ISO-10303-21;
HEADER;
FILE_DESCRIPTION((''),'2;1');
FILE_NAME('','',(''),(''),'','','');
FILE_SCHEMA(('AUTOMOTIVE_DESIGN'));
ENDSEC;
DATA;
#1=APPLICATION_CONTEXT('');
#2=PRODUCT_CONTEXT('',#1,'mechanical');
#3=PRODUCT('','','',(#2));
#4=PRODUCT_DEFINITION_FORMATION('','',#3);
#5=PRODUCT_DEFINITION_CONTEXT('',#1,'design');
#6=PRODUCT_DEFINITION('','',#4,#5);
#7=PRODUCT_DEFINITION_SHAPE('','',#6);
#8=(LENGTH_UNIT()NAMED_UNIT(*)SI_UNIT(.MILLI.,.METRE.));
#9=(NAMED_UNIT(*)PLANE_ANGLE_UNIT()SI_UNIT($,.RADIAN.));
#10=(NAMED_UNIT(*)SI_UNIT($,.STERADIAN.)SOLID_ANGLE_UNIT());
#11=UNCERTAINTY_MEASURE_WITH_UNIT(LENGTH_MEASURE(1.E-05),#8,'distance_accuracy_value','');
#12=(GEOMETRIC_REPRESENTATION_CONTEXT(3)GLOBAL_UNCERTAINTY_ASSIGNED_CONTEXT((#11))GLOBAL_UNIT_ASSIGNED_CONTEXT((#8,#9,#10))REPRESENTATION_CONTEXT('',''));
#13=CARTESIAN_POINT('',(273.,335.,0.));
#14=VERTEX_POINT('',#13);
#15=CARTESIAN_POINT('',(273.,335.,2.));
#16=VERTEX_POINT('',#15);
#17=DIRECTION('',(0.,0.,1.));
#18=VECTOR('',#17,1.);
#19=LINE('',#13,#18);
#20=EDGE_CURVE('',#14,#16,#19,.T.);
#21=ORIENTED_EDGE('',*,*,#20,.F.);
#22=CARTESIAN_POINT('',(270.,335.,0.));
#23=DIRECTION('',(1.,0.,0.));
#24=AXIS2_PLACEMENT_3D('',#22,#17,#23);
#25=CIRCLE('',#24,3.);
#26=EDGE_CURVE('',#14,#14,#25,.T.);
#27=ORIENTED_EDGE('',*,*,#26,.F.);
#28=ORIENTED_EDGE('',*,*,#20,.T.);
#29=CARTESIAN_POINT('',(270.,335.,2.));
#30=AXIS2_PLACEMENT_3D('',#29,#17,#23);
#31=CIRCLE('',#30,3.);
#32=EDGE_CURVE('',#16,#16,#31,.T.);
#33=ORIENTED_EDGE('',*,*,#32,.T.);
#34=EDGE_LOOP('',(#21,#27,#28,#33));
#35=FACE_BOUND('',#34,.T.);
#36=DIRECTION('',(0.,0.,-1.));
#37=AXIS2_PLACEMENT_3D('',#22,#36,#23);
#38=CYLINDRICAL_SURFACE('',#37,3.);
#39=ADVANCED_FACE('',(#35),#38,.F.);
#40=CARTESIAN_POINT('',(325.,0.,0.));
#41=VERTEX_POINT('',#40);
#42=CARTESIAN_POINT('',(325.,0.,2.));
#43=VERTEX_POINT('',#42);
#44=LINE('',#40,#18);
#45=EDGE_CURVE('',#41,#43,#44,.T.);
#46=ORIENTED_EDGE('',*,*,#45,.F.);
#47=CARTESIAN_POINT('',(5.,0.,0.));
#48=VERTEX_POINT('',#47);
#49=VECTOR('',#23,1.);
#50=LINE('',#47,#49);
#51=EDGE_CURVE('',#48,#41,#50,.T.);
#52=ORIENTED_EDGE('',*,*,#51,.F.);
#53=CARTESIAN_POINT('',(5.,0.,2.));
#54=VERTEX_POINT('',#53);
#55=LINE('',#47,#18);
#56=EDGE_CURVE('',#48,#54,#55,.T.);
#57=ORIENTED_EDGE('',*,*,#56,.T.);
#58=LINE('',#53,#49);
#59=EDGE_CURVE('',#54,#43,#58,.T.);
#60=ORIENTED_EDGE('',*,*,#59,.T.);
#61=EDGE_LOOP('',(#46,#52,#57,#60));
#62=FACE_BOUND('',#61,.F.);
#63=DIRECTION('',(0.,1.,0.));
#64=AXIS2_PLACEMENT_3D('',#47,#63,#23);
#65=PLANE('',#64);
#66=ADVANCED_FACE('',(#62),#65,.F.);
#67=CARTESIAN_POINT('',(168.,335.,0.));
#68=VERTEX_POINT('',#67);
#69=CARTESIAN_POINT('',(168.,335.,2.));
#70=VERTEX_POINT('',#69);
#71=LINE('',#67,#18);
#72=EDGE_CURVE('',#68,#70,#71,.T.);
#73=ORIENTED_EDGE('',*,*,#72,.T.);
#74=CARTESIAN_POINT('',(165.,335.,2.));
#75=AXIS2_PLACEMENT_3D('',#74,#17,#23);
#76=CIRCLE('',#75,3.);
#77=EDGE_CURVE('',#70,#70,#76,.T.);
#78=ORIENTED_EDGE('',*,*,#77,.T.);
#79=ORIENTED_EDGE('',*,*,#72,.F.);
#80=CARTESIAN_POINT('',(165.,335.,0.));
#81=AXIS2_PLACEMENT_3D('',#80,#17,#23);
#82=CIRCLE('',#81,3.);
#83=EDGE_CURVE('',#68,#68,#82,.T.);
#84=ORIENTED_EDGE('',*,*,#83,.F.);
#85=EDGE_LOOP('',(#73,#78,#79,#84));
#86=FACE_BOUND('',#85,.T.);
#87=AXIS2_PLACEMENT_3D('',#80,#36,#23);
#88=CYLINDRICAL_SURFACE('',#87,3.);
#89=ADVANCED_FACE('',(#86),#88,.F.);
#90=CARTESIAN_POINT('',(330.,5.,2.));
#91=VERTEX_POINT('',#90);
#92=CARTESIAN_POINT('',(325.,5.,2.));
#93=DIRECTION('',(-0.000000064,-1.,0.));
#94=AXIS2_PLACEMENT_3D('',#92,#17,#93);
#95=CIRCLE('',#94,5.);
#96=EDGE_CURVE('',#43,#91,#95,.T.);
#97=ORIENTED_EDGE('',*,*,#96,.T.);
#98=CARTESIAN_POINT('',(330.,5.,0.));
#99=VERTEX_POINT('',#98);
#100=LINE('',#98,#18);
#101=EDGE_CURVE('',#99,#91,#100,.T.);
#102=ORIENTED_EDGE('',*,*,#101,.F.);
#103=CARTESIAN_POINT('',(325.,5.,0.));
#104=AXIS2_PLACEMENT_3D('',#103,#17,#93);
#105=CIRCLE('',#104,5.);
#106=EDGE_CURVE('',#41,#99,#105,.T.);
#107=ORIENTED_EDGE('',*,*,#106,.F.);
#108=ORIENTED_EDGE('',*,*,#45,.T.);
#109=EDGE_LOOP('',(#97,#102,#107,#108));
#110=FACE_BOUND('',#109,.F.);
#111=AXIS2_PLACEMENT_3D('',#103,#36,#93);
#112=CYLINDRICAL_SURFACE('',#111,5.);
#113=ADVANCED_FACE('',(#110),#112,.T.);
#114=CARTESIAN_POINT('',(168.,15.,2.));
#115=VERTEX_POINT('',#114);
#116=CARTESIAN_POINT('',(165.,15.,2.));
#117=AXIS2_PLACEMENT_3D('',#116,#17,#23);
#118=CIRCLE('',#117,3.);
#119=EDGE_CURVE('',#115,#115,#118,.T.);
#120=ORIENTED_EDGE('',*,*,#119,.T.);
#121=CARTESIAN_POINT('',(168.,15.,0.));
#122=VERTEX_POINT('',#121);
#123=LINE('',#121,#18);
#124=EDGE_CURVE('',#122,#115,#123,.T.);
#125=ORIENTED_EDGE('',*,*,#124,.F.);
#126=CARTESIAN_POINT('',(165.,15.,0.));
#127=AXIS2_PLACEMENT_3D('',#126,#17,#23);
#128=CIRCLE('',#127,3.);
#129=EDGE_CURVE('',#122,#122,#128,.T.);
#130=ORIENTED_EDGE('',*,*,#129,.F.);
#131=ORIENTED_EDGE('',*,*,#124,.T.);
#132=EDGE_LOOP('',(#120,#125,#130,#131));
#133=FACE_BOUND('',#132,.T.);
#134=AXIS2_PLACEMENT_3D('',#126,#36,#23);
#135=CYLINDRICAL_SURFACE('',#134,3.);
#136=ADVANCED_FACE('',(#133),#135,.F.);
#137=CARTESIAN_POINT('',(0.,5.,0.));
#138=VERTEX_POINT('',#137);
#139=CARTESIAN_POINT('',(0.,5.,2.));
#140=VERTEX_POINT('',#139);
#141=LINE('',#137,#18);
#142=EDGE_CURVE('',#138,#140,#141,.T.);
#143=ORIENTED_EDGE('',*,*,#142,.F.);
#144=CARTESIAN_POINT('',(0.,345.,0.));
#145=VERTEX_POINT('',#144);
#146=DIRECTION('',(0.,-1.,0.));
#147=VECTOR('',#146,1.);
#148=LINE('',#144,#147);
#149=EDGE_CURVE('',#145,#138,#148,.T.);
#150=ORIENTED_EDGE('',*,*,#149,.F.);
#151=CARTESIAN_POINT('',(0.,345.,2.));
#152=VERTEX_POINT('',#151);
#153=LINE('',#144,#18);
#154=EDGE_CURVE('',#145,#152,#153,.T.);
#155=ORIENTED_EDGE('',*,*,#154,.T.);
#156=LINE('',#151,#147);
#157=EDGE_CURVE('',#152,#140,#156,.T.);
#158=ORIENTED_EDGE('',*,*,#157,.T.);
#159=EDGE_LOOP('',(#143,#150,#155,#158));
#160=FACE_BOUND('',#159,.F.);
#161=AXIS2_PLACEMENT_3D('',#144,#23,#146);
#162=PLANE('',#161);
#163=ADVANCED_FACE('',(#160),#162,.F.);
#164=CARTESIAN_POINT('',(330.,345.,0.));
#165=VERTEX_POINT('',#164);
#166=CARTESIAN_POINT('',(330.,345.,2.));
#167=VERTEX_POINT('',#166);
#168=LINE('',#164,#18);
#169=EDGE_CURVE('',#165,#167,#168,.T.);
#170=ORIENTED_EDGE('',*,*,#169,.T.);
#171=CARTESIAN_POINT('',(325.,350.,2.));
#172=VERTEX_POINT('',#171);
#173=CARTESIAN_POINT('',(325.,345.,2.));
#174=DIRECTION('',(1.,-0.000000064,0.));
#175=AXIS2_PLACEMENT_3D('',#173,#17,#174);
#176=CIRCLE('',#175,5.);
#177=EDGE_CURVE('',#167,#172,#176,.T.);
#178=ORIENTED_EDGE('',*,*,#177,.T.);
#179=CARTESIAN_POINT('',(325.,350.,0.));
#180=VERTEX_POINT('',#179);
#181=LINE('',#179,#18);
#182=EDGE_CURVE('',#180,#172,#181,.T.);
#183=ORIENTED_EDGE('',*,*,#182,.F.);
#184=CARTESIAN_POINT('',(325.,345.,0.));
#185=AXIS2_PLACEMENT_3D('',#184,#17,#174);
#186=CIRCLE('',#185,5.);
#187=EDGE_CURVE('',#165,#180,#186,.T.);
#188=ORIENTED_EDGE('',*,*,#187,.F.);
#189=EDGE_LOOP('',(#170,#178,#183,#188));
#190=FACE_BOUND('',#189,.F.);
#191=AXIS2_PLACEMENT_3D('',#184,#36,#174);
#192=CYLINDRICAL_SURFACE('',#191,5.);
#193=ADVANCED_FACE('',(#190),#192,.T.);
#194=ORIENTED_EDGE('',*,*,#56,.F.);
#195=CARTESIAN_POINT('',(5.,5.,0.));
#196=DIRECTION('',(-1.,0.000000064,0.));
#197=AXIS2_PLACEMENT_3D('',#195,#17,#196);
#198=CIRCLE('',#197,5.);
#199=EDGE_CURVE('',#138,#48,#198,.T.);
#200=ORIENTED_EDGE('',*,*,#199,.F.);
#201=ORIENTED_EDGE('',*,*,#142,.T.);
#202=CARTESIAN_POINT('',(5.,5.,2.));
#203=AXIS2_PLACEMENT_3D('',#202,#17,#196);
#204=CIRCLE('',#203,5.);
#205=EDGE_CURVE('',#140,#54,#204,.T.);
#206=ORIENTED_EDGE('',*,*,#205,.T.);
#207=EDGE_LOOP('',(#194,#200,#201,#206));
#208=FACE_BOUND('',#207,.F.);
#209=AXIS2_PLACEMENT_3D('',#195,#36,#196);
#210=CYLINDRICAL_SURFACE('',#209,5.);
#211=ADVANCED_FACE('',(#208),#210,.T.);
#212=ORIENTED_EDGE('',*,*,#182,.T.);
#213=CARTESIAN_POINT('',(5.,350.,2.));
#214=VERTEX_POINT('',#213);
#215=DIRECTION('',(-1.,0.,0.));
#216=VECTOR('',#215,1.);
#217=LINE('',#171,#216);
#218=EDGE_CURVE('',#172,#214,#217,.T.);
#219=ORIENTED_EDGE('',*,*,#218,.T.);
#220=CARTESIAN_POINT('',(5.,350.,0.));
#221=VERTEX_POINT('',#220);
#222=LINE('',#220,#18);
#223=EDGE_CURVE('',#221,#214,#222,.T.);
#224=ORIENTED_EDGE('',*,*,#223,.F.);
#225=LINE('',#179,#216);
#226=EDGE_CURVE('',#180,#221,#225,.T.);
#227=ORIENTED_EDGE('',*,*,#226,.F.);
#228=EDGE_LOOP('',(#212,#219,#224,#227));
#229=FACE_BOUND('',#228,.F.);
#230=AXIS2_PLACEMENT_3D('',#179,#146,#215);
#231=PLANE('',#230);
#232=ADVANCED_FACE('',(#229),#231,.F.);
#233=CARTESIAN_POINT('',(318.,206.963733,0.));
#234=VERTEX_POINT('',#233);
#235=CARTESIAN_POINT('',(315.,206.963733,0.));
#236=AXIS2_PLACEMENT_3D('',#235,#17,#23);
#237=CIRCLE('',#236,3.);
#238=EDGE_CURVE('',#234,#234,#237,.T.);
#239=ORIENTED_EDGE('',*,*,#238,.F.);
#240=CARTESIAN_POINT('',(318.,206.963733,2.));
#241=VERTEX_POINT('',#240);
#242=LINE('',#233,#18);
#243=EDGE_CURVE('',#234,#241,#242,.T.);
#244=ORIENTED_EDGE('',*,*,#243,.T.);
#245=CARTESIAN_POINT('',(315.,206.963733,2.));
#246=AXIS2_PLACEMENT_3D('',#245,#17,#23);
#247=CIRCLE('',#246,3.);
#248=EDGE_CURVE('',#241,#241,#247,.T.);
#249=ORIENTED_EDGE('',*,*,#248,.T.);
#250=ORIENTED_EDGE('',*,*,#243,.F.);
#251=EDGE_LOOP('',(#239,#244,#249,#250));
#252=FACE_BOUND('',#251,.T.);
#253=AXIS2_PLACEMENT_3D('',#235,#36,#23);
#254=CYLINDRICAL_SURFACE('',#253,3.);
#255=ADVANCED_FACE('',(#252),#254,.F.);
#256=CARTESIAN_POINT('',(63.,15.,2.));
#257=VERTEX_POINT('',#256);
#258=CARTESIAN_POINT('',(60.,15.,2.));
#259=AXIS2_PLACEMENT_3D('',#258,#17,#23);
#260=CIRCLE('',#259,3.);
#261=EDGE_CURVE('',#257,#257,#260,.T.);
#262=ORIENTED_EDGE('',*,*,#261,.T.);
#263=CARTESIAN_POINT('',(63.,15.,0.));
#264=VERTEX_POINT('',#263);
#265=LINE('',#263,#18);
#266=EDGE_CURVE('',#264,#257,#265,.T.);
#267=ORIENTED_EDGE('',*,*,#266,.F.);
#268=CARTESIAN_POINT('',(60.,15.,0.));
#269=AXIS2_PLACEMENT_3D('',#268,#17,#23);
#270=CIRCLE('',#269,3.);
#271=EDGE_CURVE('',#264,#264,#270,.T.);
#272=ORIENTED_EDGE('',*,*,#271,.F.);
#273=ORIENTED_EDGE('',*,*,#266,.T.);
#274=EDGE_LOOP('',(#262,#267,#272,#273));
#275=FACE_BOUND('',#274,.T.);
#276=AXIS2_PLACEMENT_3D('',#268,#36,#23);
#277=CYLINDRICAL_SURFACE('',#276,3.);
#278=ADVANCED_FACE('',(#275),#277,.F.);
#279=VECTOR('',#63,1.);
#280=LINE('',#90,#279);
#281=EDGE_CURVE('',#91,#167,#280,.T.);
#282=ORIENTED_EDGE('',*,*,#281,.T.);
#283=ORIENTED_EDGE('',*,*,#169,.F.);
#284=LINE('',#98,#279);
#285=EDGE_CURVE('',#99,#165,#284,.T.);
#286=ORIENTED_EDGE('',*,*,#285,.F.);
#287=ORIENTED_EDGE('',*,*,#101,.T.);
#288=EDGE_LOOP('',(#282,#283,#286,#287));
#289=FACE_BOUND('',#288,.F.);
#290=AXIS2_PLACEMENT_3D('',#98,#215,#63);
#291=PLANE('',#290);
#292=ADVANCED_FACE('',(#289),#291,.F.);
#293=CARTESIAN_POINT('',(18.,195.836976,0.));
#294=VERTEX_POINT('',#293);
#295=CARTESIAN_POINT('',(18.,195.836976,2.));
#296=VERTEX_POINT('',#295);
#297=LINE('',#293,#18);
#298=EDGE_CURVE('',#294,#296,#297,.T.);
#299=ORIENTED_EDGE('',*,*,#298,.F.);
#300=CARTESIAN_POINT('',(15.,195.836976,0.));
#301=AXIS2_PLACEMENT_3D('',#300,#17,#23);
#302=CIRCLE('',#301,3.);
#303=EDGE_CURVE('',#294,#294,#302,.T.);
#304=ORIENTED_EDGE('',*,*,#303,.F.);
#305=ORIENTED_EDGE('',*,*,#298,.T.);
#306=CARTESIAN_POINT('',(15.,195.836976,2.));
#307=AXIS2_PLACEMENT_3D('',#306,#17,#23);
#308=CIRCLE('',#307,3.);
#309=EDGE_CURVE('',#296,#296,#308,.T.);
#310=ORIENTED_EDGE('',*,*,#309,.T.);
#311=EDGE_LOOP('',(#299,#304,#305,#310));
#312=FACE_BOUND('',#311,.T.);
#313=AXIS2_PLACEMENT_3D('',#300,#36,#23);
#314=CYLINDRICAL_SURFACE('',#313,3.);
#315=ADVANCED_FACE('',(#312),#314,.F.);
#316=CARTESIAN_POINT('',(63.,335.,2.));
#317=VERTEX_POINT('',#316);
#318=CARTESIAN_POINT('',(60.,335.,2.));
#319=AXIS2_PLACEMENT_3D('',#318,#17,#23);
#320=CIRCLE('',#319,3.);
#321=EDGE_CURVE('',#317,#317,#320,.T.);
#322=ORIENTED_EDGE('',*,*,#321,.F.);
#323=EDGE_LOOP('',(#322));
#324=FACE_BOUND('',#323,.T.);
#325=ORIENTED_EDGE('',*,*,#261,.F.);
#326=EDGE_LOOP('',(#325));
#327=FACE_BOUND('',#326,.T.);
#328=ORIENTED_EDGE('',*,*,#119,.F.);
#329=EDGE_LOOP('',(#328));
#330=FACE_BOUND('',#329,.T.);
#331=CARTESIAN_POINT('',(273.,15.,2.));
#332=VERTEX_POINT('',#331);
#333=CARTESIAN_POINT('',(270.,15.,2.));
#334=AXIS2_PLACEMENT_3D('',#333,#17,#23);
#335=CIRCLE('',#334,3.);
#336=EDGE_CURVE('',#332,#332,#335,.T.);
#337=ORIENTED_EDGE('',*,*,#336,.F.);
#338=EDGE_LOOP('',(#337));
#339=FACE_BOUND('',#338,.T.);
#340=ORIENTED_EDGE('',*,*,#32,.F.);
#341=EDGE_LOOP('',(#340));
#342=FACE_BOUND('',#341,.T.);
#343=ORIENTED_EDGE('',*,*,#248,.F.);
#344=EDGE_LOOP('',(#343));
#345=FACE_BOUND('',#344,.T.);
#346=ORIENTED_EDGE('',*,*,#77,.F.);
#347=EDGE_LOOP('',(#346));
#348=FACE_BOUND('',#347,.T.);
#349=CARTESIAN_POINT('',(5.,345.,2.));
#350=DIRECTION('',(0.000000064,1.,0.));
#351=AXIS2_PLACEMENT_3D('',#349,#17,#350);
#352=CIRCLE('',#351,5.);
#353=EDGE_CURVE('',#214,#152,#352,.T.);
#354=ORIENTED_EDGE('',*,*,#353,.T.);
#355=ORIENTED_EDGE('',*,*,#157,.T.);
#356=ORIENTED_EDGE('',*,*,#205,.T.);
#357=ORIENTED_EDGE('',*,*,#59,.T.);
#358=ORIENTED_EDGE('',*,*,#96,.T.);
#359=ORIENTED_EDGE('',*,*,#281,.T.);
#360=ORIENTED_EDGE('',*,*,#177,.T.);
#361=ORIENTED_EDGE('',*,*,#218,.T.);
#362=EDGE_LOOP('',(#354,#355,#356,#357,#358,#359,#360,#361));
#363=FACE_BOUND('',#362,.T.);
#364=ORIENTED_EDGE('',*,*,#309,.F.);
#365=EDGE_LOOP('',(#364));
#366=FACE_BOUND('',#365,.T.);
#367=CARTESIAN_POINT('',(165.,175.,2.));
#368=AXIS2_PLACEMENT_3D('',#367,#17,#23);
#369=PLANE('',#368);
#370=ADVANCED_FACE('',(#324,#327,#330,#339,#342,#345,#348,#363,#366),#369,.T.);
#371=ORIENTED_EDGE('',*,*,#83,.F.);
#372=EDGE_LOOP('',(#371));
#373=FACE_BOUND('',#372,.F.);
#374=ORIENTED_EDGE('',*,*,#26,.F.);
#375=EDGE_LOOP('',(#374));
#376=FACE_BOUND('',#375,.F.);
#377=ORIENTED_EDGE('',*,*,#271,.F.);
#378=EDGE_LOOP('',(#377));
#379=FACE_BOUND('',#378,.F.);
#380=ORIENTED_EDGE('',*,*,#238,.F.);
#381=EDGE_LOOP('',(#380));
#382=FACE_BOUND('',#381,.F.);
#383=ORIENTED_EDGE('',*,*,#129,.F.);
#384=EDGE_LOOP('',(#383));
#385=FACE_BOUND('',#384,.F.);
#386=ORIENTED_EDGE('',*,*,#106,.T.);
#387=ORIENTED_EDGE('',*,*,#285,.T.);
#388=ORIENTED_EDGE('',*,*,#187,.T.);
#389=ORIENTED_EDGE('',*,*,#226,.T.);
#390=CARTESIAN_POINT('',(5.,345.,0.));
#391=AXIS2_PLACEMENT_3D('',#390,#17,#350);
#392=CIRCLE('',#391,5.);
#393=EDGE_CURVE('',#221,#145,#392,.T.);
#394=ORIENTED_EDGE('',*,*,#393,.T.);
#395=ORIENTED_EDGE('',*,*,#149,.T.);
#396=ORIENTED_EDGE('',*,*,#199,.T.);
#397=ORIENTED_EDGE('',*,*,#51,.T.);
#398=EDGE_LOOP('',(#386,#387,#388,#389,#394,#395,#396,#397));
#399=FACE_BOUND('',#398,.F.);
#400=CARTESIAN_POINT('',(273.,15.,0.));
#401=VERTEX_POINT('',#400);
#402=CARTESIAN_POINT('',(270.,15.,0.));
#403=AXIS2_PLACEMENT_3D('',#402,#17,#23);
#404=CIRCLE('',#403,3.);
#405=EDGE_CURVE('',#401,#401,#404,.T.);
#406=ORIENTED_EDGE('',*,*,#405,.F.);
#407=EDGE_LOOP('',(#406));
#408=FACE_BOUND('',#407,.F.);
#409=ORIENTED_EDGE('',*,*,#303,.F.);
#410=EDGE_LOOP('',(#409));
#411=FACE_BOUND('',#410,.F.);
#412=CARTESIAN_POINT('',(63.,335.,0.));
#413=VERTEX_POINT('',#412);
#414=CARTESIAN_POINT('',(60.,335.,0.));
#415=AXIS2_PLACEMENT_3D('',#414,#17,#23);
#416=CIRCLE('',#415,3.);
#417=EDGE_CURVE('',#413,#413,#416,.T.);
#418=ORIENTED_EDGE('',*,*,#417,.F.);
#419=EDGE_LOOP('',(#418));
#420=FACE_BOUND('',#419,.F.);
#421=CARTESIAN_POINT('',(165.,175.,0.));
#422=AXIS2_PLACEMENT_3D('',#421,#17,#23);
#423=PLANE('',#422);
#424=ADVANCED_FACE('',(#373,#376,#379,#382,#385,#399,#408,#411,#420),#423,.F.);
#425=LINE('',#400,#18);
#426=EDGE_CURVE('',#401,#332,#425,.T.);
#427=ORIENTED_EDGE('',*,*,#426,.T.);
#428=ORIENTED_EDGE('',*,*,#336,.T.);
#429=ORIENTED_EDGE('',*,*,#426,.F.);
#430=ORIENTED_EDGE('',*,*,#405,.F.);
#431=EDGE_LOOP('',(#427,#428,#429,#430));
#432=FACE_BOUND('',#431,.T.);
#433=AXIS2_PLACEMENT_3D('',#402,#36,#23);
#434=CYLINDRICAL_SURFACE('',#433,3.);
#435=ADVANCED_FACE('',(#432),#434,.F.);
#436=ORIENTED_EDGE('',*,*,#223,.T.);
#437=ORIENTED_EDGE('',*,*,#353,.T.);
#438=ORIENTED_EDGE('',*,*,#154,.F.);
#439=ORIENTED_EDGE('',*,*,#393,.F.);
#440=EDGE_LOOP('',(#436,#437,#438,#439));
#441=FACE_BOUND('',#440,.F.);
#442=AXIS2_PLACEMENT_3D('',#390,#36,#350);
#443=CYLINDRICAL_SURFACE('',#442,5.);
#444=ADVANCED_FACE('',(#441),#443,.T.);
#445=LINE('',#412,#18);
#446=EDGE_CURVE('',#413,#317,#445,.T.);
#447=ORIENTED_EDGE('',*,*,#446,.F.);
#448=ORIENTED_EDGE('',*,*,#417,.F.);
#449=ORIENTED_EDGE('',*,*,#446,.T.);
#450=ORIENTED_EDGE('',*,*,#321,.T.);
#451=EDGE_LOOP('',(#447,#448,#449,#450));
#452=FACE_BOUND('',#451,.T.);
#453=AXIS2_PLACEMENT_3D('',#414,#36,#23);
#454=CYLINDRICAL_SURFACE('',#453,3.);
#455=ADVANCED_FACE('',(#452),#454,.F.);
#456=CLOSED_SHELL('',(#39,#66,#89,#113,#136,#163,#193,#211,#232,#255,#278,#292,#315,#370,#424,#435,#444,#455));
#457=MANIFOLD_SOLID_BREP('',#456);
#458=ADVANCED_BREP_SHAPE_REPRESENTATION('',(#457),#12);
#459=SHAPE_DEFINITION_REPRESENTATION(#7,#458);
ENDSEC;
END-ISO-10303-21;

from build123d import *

# Parameters (mm, degrees)
F0_R     = 3
F1_DEPTH = 2


with BuildPart() as f1:
    # F0 (on Top) → F1 (new body)
    with BuildSketch(Plane.XY):
        with BuildLine():
            ThreePointArc((0, 5), (1.464466, 1.464466), (5, 0))
            Line((5, 0), (325, 0))
            ThreePointArc((325, 0), (328.535534, 1.464466), (330, 5))
            Line((330, 5), (330, 345))
            ThreePointArc((330, 345), (328.535534, 348.535534), (325, 350))
            Line((325, 350), (5, 350))
            ThreePointArc((5, 350), (1.464466, 348.535534), (0, 345))
            Line((0, 345), (0, 5))
        make_face()
        with Locations((60, 15)):
            Circle(F0_R, mode=Mode.SUBTRACT)
        with Locations((165, 15)):
            Circle(F0_R, mode=Mode.SUBTRACT)
        with Locations((270, 15)):
            Circle(F0_R, mode=Mode.SUBTRACT)
        with Locations((15, 195.836976)):
            Circle(F0_R, mode=Mode.SUBTRACT)
        with Locations((60, 335)):
            Circle(F0_R, mode=Mode.SUBTRACT)
        with Locations((315, 206.963733)):
            Circle(F0_R, mode=Mode.SUBTRACT)
        with Locations((165, 335)):
            Circle(F0_R, mode=Mode.SUBTRACT)
        with Locations((270, 335)):
            Circle(F0_R, mode=Mode.SUBTRACT)
    extrude(amount=F1_DEPTH)


solid = f1.part
